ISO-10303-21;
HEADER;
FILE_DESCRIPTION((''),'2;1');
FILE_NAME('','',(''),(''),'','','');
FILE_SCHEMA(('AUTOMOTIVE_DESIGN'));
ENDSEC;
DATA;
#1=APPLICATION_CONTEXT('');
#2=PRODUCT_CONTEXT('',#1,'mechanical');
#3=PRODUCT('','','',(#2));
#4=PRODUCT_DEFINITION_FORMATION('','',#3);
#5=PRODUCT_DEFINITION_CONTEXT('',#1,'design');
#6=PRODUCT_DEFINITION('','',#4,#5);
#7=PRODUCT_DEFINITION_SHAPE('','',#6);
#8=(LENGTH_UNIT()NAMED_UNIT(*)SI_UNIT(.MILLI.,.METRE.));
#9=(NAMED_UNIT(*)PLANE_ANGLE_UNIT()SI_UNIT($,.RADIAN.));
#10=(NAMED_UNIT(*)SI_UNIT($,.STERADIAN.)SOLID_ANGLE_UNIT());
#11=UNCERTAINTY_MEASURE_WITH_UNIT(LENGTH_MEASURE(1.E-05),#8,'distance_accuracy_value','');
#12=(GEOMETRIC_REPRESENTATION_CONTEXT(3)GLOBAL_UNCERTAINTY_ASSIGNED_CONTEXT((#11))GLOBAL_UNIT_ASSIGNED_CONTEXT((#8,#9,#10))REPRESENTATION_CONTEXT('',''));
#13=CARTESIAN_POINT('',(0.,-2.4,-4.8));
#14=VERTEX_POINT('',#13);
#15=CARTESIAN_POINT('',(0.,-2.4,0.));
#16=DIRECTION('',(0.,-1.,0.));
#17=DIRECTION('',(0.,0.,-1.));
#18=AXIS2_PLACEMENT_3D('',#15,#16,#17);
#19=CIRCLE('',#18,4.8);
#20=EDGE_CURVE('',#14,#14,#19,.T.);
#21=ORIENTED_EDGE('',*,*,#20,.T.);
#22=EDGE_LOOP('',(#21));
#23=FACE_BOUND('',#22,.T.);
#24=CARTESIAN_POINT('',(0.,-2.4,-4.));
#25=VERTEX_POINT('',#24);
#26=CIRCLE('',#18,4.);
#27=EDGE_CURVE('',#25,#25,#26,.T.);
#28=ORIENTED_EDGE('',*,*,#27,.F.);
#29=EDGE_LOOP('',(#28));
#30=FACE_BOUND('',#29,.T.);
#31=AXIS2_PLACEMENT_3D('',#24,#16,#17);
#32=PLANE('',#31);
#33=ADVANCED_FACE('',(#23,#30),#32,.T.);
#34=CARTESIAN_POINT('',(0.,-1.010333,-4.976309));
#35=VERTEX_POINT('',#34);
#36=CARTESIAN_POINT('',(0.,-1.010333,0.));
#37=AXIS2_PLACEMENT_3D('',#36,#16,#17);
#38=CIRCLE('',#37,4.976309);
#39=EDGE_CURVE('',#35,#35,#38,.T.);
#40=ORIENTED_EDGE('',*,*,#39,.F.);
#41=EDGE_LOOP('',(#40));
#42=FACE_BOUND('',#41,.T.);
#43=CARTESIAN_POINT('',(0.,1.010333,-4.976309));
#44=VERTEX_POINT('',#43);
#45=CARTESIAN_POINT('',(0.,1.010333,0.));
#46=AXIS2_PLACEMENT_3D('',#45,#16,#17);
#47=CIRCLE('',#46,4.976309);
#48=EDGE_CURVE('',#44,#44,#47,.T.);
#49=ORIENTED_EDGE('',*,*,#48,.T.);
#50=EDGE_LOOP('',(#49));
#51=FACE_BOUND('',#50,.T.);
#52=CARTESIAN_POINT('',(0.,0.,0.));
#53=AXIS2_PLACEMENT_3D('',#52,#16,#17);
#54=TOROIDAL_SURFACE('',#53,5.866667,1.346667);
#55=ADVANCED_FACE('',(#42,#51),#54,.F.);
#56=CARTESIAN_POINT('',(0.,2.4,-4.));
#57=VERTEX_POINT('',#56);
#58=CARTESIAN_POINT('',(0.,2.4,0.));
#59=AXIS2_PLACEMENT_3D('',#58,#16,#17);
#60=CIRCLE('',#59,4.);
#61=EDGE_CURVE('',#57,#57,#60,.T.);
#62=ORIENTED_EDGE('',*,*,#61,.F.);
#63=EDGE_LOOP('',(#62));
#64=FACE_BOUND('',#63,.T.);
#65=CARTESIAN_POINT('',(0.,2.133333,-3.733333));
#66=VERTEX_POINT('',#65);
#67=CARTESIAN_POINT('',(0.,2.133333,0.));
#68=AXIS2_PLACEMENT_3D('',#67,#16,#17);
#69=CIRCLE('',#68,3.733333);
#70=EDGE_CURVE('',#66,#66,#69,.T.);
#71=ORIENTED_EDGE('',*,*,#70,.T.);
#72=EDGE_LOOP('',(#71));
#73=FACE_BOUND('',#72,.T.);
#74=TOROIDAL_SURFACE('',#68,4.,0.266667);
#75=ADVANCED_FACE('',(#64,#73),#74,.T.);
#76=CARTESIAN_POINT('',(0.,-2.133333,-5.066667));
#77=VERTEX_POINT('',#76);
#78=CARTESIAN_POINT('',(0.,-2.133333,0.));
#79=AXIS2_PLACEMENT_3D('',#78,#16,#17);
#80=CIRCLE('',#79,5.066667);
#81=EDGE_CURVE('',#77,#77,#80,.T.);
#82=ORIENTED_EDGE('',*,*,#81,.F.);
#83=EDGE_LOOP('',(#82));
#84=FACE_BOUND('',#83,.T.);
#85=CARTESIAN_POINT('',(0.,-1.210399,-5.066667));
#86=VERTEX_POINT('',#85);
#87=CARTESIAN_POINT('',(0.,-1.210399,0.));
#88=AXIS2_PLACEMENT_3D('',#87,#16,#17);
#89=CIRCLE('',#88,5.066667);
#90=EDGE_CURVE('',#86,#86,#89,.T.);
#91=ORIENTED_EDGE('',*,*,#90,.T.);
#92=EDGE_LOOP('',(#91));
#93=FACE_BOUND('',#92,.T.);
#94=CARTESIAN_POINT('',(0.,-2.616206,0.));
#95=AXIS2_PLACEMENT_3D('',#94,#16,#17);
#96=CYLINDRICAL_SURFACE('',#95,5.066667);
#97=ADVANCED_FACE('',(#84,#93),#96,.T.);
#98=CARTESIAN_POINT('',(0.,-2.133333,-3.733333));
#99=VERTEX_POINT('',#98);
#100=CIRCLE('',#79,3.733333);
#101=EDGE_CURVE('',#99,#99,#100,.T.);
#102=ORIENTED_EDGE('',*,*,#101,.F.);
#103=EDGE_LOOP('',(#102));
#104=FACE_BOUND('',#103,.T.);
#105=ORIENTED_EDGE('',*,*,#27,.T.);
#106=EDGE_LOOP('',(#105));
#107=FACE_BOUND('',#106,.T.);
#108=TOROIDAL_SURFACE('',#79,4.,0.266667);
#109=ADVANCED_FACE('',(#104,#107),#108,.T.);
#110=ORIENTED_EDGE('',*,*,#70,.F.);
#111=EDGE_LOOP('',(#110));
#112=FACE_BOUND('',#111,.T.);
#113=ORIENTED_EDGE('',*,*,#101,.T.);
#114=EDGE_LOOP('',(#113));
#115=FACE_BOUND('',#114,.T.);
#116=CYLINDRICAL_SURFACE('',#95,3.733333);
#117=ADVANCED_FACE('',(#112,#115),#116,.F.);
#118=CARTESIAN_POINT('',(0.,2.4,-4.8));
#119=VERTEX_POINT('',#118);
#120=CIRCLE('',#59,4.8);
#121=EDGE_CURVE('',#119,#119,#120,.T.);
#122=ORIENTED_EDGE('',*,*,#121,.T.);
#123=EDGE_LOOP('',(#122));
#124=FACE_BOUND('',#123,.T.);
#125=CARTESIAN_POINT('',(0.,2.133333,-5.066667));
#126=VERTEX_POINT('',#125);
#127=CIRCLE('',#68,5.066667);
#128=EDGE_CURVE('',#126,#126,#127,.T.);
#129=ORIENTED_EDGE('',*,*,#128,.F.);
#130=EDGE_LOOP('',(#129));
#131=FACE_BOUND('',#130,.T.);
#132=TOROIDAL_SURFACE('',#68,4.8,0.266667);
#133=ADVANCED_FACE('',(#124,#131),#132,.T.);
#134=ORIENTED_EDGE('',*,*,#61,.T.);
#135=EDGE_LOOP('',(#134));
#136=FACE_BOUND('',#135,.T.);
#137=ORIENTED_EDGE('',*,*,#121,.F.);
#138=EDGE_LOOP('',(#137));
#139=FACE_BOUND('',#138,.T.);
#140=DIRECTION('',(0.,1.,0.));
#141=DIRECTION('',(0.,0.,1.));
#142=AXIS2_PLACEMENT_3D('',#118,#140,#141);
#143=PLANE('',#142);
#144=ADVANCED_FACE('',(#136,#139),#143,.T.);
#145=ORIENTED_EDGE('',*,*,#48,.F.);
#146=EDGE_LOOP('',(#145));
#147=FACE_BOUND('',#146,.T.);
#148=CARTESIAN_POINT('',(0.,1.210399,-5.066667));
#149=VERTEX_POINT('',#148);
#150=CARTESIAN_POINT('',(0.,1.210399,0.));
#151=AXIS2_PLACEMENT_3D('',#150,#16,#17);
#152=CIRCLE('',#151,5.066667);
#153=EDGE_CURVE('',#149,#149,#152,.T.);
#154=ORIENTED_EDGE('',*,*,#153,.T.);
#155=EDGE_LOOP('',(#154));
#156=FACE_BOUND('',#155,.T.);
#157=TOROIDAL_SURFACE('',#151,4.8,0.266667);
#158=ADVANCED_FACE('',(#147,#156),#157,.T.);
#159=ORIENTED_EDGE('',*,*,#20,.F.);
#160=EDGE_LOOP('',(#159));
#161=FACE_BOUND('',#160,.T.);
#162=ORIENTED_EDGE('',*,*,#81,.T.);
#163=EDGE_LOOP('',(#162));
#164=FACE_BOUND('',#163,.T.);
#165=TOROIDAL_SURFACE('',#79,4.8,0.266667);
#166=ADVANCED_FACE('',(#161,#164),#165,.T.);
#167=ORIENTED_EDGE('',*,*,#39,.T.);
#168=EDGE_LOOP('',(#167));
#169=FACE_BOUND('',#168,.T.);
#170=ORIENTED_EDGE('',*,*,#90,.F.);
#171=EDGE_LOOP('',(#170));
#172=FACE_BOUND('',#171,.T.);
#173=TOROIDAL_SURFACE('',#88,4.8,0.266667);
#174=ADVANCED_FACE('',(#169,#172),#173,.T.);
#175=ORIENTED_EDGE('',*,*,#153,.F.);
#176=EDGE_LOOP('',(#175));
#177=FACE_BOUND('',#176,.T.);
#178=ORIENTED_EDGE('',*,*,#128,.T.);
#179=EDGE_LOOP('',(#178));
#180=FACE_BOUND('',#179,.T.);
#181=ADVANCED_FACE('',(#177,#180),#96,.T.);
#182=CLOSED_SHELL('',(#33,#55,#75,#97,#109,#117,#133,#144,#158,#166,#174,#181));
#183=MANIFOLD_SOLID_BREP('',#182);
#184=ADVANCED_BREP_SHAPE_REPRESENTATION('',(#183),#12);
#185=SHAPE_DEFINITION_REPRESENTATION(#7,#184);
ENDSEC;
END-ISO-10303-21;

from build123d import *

# Parameters (mm, degrees)
SCALE1_SCALE = 0.266666667


with BuildPart() as part:
    # Sketch1 → Revolve1 (revolve)
    with BuildSketch(Plane(origin=(0, 0, 0), x_dir=(0, 0, -1), z_dir=(1, 0, 0))):
        with BuildLine():
            Line((14, 8), (14, -8))
            ThreePointArc((14, -8), (14.292893219, -8.707106781), (15, -9))
            Line((15, -9), (18, -9))
            ThreePointArc((18, -9), (18.707106781, -8.707106781), (19, -8))
            Line((19, -8), (19, -4.538997687))
            ThreePointArc((19, -4.538997687), (18.911360803, -4.127389271), (18.661157025, -3.788750135))
            ThreePointArc((18.661157025, -3.788750135), (16.95, 0), (18.661157025, 3.788750135))
            ThreePointArc((18.661157025, 3.788750135), (18.911360803, 4.127389271), (19, 4.538997687))
            Line((19, 4.538997687), (19, 8))
            ThreePointArc((19, 8), (18.707106781, 8.707106781), (18, 9))
            Line((18, 9), (15, 9))
            ThreePointArc((15, 9), (14.292893219, 8.707106781), (14, 8))
        make_face()
    revolve(axis=Axis((0, -9.810774163, 0), (0, 1, 0)))


with BuildPart() as part_1:
    # Scale1: scaled about (0, 0, 0)
    add(part.part.scale(SCALE1_SCALE))


solid = part_1.part
